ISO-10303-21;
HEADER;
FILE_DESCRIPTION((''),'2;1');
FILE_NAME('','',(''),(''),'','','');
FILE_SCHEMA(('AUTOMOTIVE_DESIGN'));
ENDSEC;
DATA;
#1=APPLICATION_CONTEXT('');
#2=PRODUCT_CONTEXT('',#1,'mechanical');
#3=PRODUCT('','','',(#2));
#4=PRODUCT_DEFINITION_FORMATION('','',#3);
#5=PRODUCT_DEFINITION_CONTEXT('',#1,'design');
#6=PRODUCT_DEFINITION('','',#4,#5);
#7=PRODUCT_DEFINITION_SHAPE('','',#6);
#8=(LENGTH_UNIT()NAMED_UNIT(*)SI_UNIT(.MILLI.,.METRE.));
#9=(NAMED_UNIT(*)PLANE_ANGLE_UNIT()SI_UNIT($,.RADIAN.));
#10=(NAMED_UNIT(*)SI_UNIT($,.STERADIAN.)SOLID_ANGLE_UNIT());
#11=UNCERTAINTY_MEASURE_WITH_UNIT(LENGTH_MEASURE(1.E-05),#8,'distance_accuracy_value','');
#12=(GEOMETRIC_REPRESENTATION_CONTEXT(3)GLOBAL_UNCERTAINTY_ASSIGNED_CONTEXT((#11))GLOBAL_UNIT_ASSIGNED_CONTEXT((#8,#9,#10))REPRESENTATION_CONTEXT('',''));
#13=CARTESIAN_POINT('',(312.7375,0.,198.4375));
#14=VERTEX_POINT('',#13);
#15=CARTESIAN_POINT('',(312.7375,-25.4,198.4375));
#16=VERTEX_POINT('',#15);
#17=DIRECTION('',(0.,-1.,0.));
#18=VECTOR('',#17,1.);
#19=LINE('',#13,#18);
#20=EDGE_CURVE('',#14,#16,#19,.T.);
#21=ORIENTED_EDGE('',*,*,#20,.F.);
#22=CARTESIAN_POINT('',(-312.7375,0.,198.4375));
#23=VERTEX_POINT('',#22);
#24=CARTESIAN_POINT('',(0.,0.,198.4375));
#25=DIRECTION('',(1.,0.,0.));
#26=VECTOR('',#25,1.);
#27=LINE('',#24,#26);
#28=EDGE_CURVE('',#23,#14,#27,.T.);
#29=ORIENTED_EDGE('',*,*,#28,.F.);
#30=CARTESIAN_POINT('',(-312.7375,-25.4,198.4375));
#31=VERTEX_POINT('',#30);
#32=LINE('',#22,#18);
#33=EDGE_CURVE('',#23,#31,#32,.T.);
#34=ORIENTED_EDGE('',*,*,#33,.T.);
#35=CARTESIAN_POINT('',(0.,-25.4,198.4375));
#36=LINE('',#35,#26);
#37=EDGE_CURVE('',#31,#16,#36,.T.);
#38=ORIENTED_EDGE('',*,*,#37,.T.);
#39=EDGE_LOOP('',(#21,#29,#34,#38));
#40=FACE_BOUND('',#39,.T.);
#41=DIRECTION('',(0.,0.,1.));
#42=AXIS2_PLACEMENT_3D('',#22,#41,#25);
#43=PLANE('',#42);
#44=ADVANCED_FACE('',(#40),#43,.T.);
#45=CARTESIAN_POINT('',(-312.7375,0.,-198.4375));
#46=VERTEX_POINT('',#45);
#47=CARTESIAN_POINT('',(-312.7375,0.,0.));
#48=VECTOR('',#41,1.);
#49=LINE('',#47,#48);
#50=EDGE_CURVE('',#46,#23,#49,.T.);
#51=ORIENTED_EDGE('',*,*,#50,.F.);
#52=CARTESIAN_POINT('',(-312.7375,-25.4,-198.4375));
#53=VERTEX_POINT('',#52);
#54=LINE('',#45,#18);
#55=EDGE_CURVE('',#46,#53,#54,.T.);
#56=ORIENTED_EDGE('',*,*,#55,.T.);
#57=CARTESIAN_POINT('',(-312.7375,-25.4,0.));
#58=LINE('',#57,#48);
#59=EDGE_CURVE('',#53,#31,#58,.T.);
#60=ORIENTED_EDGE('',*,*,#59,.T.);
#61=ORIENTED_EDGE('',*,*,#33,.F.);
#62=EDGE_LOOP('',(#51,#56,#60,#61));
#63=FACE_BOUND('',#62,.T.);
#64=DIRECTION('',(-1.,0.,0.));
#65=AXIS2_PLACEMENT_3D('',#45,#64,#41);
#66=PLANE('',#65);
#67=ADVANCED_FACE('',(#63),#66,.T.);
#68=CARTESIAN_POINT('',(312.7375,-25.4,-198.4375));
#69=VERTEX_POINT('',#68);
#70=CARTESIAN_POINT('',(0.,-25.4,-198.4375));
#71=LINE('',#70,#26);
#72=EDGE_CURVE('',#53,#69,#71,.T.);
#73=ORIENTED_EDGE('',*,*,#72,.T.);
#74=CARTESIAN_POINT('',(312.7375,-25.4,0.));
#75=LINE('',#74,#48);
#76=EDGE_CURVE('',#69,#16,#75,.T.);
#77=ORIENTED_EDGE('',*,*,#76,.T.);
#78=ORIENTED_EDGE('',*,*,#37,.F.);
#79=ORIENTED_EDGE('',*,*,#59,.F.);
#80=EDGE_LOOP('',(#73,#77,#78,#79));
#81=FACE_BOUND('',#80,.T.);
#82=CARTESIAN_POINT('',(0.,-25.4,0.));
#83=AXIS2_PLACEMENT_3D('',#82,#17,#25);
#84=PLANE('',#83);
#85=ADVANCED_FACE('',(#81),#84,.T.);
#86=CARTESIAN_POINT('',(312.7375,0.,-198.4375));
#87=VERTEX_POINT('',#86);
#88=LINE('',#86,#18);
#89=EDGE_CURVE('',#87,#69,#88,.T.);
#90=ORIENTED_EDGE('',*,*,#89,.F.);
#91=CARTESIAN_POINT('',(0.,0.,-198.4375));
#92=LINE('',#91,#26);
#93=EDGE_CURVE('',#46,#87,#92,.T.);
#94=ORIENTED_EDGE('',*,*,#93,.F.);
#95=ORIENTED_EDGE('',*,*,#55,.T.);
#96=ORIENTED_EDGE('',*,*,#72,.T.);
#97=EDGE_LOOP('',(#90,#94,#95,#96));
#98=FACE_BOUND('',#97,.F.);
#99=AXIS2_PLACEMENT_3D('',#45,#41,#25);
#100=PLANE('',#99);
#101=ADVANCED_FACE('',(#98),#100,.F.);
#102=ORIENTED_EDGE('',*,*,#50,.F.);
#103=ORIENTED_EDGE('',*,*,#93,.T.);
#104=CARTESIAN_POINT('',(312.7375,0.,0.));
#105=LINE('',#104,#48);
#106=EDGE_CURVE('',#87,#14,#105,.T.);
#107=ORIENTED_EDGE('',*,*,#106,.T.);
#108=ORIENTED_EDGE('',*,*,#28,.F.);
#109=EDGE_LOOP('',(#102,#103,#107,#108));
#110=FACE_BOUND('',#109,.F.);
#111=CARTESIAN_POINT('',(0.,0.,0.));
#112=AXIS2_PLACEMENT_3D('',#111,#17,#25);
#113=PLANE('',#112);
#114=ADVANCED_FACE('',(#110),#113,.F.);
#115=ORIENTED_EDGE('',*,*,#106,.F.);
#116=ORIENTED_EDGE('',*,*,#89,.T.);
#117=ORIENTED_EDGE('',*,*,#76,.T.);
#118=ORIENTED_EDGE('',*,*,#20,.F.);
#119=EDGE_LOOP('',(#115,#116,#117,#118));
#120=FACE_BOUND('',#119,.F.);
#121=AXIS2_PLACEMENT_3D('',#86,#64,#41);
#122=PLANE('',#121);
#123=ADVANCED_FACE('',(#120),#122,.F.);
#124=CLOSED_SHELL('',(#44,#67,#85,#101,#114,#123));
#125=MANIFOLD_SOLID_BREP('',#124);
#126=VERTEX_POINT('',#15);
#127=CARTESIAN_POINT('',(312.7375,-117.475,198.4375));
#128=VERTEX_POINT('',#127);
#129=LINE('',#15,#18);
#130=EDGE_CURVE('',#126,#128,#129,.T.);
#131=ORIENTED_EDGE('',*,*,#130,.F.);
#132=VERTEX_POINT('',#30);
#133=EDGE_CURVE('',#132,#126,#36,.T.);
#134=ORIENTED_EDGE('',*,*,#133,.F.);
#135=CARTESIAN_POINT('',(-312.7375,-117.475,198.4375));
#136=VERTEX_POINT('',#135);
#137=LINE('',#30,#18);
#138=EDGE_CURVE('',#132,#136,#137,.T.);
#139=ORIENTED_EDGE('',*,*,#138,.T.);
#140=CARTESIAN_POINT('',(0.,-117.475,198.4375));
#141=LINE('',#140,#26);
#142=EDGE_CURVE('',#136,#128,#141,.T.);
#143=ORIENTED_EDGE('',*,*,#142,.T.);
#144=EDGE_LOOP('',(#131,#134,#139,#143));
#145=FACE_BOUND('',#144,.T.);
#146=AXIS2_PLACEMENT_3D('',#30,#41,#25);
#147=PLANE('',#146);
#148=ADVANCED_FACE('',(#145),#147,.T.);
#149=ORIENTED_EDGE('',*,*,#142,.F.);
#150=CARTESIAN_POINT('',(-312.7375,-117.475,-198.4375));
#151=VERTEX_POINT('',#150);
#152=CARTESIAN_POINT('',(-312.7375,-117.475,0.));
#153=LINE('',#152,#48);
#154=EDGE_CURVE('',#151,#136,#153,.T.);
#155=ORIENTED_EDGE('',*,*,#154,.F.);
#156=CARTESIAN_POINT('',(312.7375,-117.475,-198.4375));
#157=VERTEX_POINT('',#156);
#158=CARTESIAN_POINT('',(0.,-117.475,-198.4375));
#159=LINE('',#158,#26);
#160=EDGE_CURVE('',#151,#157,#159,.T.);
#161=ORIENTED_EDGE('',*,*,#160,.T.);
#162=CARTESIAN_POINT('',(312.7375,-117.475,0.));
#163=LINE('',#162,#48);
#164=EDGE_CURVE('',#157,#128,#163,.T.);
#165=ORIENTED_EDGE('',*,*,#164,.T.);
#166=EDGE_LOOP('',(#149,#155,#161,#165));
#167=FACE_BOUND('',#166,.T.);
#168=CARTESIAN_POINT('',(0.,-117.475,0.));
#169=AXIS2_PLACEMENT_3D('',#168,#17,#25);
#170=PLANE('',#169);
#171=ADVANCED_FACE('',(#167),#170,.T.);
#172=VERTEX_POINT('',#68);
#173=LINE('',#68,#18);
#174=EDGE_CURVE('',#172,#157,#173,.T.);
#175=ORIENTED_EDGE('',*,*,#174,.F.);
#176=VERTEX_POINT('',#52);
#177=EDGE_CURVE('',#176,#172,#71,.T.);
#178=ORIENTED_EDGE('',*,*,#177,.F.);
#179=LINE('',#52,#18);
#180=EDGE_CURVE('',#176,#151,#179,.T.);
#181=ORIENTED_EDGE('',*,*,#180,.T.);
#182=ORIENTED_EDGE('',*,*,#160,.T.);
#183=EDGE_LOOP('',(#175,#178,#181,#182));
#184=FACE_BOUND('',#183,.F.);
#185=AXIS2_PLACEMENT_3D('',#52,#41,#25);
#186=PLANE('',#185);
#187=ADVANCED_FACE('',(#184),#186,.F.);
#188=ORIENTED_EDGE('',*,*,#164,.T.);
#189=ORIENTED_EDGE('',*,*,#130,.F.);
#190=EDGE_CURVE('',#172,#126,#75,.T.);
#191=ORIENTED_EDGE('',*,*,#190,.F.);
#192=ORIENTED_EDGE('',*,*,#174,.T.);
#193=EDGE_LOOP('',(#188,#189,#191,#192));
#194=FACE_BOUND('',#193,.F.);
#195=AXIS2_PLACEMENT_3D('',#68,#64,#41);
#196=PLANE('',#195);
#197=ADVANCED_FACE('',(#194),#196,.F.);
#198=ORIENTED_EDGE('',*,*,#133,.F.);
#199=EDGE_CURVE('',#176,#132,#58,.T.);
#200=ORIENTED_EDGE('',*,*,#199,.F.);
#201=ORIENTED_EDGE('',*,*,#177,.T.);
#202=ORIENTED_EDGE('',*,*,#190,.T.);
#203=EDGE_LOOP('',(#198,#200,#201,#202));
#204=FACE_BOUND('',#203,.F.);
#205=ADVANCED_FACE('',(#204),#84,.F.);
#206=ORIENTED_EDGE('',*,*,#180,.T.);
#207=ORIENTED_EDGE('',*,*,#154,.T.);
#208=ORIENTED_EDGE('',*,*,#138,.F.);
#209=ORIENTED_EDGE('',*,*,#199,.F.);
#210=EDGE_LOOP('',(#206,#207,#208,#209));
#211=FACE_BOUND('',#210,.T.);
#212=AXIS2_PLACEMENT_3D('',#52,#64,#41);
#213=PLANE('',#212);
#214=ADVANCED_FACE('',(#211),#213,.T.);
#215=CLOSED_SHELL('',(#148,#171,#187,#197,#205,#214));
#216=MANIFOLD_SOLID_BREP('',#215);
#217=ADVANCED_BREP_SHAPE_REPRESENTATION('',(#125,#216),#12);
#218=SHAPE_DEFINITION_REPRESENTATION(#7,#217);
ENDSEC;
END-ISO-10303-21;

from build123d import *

# Parameters (mm, degrees)
F0_W     = 625.475
F0_H     = 396.875
F1_DEPTH = 25.4
F2_W     = 625.475
F2_H     = 396.875
F3_DEPTH = 92.075


with BuildPart() as f1:
    # F0 (on Front) → F1 (new body)
    with BuildSketch(Plane.XZ):
        Rectangle(F0_W, F0_H)
    extrude(amount=F1_DEPTH)


with BuildPart() as f3:
    # F2 (on face) → F3 (new body)
    with BuildSketch(Plane.XZ.offset(25.4)):
        Rectangle(F2_W, F2_H)
    extrude(amount=F3_DEPTH)


solid = Compound([f1.part, f3.part])
